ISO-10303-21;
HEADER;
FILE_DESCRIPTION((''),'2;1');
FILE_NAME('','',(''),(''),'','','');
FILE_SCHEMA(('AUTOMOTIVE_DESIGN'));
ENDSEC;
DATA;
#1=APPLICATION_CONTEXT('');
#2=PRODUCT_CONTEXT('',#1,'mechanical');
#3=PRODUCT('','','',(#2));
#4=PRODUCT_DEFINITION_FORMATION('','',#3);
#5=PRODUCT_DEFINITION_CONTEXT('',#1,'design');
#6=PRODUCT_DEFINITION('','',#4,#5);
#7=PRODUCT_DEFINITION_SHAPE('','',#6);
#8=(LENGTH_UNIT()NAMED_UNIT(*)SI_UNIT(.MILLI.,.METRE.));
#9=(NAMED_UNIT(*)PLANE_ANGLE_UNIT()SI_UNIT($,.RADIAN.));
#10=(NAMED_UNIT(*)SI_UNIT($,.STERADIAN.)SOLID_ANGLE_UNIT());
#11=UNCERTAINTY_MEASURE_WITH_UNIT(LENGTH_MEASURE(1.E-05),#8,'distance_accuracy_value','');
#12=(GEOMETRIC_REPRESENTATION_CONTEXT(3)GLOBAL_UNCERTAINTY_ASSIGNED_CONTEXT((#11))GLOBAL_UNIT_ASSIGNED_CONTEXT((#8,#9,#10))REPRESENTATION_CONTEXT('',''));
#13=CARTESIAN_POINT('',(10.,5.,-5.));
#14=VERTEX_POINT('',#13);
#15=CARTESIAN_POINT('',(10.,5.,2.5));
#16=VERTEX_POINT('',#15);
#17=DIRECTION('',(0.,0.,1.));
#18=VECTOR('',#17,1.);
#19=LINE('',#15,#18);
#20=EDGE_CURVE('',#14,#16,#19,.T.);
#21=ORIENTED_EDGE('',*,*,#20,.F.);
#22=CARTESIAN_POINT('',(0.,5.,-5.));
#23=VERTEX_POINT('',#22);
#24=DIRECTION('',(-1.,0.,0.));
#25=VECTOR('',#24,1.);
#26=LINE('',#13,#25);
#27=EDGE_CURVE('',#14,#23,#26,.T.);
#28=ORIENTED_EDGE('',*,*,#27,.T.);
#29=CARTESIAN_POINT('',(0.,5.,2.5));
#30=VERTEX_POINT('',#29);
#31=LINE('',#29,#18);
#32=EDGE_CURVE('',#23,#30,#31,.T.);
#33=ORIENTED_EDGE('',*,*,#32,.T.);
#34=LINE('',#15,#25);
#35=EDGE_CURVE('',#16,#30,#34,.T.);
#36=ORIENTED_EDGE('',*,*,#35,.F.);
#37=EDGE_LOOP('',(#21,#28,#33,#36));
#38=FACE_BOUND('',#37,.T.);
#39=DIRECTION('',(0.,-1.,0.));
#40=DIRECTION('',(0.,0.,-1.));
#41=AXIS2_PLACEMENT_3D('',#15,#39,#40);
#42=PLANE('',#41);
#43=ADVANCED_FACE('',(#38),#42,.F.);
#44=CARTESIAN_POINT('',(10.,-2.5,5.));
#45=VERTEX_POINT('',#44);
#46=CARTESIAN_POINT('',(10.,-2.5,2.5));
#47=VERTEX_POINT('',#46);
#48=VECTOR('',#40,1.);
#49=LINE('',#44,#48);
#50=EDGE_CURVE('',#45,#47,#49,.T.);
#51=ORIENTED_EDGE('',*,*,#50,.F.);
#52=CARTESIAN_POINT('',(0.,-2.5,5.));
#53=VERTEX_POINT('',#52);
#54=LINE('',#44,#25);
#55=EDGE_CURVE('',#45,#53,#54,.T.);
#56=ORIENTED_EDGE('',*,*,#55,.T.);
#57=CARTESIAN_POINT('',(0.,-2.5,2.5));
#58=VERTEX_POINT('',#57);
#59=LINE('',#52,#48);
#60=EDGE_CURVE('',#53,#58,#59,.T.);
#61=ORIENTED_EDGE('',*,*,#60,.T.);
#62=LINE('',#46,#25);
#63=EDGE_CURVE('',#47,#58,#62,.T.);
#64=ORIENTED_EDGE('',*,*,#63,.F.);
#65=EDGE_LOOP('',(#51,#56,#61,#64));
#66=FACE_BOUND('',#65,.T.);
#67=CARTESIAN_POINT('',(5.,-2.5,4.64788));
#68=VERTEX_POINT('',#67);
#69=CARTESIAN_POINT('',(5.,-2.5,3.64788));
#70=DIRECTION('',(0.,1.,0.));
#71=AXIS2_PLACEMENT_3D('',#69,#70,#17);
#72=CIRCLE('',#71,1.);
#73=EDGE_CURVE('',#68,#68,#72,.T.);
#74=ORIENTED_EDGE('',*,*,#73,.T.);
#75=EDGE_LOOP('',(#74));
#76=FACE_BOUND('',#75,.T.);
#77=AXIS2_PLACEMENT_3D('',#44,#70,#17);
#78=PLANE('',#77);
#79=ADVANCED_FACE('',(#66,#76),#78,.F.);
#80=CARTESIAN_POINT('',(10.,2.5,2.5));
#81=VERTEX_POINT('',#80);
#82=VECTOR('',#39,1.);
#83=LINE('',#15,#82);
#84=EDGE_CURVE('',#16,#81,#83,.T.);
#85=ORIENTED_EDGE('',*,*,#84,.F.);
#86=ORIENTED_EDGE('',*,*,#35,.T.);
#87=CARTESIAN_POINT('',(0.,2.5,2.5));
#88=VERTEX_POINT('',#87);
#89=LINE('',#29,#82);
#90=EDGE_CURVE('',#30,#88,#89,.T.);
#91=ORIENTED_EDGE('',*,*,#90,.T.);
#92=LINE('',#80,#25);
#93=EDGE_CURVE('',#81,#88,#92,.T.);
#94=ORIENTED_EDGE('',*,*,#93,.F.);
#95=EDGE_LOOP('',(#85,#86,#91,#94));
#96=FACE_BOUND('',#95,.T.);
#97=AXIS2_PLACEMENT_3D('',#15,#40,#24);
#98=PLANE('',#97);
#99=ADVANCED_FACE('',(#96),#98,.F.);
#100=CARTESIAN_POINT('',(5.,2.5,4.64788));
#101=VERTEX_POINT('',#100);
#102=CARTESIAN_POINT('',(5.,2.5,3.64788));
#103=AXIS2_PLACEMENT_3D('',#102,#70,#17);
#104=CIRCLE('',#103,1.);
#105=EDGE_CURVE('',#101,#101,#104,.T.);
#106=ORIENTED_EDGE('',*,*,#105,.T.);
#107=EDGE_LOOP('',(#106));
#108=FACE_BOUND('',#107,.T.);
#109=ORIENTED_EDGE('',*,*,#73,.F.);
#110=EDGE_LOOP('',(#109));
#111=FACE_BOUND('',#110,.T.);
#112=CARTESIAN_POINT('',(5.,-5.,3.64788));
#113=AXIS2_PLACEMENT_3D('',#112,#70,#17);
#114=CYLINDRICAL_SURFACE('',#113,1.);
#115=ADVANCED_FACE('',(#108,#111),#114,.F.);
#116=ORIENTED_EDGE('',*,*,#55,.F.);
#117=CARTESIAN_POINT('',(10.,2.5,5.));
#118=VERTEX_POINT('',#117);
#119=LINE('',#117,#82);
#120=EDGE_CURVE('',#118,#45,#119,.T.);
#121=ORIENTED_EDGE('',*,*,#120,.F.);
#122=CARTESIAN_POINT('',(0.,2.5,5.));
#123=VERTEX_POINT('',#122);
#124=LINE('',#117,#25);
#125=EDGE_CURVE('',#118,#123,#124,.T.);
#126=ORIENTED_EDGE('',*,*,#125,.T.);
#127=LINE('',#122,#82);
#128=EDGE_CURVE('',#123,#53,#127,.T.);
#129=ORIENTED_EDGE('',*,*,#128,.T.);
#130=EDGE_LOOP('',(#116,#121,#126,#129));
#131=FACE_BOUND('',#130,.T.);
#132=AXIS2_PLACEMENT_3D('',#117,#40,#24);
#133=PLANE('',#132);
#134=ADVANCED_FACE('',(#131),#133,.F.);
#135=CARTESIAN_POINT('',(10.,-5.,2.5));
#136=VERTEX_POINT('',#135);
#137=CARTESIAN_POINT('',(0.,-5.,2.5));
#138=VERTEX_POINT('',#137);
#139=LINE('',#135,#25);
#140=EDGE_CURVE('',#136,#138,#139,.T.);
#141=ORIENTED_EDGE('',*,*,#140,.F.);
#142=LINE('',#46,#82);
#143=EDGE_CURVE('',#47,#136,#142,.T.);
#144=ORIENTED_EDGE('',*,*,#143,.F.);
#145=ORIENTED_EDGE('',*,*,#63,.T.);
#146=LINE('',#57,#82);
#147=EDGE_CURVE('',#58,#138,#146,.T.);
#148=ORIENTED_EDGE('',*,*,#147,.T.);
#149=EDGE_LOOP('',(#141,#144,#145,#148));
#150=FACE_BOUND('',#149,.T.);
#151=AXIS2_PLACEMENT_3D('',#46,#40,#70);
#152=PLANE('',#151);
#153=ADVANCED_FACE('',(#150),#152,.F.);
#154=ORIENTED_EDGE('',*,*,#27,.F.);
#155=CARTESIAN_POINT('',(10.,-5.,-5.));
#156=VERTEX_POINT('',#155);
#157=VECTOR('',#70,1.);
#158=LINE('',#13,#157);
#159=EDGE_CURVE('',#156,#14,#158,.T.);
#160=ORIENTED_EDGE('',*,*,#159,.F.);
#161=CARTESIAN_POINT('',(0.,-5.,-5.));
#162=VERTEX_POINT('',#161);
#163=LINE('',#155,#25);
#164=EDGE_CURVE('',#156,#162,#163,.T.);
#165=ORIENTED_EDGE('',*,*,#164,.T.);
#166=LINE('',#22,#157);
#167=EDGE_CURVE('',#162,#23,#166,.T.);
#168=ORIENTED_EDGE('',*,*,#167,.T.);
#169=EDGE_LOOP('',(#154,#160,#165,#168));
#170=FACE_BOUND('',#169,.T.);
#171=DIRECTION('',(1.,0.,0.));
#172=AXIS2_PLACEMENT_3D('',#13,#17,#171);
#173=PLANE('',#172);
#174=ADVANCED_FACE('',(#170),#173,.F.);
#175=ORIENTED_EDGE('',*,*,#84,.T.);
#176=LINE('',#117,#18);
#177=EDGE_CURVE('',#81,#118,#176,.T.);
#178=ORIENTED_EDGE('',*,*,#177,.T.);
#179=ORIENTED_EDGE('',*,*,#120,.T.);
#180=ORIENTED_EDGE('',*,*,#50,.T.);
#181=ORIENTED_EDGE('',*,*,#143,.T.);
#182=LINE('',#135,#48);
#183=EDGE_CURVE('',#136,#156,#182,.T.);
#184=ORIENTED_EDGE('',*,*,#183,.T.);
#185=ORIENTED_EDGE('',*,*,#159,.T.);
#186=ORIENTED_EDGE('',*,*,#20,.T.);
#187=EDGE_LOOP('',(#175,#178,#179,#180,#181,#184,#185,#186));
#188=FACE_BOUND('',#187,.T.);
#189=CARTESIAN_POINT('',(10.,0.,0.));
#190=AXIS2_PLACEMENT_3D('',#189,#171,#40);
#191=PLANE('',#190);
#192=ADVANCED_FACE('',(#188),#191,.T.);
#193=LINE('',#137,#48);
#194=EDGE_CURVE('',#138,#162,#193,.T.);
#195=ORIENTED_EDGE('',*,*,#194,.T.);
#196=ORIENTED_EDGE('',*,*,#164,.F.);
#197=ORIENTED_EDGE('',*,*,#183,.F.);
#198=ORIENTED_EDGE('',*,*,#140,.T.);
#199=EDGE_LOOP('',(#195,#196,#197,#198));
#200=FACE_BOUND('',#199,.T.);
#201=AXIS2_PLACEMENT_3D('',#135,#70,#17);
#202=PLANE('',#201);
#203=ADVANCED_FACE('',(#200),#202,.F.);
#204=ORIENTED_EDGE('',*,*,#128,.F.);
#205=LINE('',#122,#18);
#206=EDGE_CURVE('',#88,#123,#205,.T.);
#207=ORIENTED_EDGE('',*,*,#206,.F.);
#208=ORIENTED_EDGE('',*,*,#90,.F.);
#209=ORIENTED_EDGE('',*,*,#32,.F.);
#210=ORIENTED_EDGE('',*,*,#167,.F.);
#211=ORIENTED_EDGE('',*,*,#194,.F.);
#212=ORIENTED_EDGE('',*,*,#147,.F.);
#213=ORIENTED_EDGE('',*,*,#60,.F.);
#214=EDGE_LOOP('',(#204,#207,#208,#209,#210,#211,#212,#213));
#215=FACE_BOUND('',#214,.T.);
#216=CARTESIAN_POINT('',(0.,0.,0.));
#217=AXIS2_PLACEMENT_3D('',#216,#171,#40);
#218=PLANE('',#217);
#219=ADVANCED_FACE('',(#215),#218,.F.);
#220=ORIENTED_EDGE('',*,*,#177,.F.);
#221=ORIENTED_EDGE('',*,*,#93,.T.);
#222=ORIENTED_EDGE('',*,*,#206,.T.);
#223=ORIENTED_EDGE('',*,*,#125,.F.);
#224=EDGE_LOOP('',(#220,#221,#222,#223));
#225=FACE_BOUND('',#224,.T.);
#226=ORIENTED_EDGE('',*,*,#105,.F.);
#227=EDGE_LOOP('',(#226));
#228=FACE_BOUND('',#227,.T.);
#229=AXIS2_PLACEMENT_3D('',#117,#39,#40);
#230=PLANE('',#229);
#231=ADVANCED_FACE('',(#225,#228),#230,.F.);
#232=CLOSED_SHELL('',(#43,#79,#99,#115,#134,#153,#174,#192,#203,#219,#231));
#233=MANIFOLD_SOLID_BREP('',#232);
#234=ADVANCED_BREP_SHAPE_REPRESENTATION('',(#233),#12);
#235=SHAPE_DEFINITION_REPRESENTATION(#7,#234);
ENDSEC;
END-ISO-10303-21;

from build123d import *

# Parameters (mm, degrees)
BOSS_EXTRUDE1_DEPTH = 10
SKETCH3_R           = 1
CUT_EXTRUDE2_DEPTH  = 14.462912018


with BuildPart() as part:
    # Sketch1 → Boss-Extrude1 (new body)
    with BuildSketch(Plane(origin=(0, 0, 0), x_dir=(0, 0, -1), z_dir=(1, 0, 0))):
        Polygon((-2.5, 5), (5, 5), (5, -5), (-2.5, -5), (-2.5, -2.5), (-5, -2.5), (-5, 2.5), (-2.5, 2.5), align=None)
    extrude(amount=BOSS_EXTRUDE1_DEPTH)

    # Sketch3 → Cut-Extrude2 (cut, through all)
    with BuildSketch(Plane(origin=(0, 2.5, 0), x_dir=(1, 0, 0), z_dir=(0, 1, 0))):
        with Locations(Location((5, -3.647879646, 0), (0, 0, 270))):
            Circle(SKETCH3_R)
    extrude(amount=-CUT_EXTRUDE2_DEPTH, mode=Mode.SUBTRACT)


solid = part.part
